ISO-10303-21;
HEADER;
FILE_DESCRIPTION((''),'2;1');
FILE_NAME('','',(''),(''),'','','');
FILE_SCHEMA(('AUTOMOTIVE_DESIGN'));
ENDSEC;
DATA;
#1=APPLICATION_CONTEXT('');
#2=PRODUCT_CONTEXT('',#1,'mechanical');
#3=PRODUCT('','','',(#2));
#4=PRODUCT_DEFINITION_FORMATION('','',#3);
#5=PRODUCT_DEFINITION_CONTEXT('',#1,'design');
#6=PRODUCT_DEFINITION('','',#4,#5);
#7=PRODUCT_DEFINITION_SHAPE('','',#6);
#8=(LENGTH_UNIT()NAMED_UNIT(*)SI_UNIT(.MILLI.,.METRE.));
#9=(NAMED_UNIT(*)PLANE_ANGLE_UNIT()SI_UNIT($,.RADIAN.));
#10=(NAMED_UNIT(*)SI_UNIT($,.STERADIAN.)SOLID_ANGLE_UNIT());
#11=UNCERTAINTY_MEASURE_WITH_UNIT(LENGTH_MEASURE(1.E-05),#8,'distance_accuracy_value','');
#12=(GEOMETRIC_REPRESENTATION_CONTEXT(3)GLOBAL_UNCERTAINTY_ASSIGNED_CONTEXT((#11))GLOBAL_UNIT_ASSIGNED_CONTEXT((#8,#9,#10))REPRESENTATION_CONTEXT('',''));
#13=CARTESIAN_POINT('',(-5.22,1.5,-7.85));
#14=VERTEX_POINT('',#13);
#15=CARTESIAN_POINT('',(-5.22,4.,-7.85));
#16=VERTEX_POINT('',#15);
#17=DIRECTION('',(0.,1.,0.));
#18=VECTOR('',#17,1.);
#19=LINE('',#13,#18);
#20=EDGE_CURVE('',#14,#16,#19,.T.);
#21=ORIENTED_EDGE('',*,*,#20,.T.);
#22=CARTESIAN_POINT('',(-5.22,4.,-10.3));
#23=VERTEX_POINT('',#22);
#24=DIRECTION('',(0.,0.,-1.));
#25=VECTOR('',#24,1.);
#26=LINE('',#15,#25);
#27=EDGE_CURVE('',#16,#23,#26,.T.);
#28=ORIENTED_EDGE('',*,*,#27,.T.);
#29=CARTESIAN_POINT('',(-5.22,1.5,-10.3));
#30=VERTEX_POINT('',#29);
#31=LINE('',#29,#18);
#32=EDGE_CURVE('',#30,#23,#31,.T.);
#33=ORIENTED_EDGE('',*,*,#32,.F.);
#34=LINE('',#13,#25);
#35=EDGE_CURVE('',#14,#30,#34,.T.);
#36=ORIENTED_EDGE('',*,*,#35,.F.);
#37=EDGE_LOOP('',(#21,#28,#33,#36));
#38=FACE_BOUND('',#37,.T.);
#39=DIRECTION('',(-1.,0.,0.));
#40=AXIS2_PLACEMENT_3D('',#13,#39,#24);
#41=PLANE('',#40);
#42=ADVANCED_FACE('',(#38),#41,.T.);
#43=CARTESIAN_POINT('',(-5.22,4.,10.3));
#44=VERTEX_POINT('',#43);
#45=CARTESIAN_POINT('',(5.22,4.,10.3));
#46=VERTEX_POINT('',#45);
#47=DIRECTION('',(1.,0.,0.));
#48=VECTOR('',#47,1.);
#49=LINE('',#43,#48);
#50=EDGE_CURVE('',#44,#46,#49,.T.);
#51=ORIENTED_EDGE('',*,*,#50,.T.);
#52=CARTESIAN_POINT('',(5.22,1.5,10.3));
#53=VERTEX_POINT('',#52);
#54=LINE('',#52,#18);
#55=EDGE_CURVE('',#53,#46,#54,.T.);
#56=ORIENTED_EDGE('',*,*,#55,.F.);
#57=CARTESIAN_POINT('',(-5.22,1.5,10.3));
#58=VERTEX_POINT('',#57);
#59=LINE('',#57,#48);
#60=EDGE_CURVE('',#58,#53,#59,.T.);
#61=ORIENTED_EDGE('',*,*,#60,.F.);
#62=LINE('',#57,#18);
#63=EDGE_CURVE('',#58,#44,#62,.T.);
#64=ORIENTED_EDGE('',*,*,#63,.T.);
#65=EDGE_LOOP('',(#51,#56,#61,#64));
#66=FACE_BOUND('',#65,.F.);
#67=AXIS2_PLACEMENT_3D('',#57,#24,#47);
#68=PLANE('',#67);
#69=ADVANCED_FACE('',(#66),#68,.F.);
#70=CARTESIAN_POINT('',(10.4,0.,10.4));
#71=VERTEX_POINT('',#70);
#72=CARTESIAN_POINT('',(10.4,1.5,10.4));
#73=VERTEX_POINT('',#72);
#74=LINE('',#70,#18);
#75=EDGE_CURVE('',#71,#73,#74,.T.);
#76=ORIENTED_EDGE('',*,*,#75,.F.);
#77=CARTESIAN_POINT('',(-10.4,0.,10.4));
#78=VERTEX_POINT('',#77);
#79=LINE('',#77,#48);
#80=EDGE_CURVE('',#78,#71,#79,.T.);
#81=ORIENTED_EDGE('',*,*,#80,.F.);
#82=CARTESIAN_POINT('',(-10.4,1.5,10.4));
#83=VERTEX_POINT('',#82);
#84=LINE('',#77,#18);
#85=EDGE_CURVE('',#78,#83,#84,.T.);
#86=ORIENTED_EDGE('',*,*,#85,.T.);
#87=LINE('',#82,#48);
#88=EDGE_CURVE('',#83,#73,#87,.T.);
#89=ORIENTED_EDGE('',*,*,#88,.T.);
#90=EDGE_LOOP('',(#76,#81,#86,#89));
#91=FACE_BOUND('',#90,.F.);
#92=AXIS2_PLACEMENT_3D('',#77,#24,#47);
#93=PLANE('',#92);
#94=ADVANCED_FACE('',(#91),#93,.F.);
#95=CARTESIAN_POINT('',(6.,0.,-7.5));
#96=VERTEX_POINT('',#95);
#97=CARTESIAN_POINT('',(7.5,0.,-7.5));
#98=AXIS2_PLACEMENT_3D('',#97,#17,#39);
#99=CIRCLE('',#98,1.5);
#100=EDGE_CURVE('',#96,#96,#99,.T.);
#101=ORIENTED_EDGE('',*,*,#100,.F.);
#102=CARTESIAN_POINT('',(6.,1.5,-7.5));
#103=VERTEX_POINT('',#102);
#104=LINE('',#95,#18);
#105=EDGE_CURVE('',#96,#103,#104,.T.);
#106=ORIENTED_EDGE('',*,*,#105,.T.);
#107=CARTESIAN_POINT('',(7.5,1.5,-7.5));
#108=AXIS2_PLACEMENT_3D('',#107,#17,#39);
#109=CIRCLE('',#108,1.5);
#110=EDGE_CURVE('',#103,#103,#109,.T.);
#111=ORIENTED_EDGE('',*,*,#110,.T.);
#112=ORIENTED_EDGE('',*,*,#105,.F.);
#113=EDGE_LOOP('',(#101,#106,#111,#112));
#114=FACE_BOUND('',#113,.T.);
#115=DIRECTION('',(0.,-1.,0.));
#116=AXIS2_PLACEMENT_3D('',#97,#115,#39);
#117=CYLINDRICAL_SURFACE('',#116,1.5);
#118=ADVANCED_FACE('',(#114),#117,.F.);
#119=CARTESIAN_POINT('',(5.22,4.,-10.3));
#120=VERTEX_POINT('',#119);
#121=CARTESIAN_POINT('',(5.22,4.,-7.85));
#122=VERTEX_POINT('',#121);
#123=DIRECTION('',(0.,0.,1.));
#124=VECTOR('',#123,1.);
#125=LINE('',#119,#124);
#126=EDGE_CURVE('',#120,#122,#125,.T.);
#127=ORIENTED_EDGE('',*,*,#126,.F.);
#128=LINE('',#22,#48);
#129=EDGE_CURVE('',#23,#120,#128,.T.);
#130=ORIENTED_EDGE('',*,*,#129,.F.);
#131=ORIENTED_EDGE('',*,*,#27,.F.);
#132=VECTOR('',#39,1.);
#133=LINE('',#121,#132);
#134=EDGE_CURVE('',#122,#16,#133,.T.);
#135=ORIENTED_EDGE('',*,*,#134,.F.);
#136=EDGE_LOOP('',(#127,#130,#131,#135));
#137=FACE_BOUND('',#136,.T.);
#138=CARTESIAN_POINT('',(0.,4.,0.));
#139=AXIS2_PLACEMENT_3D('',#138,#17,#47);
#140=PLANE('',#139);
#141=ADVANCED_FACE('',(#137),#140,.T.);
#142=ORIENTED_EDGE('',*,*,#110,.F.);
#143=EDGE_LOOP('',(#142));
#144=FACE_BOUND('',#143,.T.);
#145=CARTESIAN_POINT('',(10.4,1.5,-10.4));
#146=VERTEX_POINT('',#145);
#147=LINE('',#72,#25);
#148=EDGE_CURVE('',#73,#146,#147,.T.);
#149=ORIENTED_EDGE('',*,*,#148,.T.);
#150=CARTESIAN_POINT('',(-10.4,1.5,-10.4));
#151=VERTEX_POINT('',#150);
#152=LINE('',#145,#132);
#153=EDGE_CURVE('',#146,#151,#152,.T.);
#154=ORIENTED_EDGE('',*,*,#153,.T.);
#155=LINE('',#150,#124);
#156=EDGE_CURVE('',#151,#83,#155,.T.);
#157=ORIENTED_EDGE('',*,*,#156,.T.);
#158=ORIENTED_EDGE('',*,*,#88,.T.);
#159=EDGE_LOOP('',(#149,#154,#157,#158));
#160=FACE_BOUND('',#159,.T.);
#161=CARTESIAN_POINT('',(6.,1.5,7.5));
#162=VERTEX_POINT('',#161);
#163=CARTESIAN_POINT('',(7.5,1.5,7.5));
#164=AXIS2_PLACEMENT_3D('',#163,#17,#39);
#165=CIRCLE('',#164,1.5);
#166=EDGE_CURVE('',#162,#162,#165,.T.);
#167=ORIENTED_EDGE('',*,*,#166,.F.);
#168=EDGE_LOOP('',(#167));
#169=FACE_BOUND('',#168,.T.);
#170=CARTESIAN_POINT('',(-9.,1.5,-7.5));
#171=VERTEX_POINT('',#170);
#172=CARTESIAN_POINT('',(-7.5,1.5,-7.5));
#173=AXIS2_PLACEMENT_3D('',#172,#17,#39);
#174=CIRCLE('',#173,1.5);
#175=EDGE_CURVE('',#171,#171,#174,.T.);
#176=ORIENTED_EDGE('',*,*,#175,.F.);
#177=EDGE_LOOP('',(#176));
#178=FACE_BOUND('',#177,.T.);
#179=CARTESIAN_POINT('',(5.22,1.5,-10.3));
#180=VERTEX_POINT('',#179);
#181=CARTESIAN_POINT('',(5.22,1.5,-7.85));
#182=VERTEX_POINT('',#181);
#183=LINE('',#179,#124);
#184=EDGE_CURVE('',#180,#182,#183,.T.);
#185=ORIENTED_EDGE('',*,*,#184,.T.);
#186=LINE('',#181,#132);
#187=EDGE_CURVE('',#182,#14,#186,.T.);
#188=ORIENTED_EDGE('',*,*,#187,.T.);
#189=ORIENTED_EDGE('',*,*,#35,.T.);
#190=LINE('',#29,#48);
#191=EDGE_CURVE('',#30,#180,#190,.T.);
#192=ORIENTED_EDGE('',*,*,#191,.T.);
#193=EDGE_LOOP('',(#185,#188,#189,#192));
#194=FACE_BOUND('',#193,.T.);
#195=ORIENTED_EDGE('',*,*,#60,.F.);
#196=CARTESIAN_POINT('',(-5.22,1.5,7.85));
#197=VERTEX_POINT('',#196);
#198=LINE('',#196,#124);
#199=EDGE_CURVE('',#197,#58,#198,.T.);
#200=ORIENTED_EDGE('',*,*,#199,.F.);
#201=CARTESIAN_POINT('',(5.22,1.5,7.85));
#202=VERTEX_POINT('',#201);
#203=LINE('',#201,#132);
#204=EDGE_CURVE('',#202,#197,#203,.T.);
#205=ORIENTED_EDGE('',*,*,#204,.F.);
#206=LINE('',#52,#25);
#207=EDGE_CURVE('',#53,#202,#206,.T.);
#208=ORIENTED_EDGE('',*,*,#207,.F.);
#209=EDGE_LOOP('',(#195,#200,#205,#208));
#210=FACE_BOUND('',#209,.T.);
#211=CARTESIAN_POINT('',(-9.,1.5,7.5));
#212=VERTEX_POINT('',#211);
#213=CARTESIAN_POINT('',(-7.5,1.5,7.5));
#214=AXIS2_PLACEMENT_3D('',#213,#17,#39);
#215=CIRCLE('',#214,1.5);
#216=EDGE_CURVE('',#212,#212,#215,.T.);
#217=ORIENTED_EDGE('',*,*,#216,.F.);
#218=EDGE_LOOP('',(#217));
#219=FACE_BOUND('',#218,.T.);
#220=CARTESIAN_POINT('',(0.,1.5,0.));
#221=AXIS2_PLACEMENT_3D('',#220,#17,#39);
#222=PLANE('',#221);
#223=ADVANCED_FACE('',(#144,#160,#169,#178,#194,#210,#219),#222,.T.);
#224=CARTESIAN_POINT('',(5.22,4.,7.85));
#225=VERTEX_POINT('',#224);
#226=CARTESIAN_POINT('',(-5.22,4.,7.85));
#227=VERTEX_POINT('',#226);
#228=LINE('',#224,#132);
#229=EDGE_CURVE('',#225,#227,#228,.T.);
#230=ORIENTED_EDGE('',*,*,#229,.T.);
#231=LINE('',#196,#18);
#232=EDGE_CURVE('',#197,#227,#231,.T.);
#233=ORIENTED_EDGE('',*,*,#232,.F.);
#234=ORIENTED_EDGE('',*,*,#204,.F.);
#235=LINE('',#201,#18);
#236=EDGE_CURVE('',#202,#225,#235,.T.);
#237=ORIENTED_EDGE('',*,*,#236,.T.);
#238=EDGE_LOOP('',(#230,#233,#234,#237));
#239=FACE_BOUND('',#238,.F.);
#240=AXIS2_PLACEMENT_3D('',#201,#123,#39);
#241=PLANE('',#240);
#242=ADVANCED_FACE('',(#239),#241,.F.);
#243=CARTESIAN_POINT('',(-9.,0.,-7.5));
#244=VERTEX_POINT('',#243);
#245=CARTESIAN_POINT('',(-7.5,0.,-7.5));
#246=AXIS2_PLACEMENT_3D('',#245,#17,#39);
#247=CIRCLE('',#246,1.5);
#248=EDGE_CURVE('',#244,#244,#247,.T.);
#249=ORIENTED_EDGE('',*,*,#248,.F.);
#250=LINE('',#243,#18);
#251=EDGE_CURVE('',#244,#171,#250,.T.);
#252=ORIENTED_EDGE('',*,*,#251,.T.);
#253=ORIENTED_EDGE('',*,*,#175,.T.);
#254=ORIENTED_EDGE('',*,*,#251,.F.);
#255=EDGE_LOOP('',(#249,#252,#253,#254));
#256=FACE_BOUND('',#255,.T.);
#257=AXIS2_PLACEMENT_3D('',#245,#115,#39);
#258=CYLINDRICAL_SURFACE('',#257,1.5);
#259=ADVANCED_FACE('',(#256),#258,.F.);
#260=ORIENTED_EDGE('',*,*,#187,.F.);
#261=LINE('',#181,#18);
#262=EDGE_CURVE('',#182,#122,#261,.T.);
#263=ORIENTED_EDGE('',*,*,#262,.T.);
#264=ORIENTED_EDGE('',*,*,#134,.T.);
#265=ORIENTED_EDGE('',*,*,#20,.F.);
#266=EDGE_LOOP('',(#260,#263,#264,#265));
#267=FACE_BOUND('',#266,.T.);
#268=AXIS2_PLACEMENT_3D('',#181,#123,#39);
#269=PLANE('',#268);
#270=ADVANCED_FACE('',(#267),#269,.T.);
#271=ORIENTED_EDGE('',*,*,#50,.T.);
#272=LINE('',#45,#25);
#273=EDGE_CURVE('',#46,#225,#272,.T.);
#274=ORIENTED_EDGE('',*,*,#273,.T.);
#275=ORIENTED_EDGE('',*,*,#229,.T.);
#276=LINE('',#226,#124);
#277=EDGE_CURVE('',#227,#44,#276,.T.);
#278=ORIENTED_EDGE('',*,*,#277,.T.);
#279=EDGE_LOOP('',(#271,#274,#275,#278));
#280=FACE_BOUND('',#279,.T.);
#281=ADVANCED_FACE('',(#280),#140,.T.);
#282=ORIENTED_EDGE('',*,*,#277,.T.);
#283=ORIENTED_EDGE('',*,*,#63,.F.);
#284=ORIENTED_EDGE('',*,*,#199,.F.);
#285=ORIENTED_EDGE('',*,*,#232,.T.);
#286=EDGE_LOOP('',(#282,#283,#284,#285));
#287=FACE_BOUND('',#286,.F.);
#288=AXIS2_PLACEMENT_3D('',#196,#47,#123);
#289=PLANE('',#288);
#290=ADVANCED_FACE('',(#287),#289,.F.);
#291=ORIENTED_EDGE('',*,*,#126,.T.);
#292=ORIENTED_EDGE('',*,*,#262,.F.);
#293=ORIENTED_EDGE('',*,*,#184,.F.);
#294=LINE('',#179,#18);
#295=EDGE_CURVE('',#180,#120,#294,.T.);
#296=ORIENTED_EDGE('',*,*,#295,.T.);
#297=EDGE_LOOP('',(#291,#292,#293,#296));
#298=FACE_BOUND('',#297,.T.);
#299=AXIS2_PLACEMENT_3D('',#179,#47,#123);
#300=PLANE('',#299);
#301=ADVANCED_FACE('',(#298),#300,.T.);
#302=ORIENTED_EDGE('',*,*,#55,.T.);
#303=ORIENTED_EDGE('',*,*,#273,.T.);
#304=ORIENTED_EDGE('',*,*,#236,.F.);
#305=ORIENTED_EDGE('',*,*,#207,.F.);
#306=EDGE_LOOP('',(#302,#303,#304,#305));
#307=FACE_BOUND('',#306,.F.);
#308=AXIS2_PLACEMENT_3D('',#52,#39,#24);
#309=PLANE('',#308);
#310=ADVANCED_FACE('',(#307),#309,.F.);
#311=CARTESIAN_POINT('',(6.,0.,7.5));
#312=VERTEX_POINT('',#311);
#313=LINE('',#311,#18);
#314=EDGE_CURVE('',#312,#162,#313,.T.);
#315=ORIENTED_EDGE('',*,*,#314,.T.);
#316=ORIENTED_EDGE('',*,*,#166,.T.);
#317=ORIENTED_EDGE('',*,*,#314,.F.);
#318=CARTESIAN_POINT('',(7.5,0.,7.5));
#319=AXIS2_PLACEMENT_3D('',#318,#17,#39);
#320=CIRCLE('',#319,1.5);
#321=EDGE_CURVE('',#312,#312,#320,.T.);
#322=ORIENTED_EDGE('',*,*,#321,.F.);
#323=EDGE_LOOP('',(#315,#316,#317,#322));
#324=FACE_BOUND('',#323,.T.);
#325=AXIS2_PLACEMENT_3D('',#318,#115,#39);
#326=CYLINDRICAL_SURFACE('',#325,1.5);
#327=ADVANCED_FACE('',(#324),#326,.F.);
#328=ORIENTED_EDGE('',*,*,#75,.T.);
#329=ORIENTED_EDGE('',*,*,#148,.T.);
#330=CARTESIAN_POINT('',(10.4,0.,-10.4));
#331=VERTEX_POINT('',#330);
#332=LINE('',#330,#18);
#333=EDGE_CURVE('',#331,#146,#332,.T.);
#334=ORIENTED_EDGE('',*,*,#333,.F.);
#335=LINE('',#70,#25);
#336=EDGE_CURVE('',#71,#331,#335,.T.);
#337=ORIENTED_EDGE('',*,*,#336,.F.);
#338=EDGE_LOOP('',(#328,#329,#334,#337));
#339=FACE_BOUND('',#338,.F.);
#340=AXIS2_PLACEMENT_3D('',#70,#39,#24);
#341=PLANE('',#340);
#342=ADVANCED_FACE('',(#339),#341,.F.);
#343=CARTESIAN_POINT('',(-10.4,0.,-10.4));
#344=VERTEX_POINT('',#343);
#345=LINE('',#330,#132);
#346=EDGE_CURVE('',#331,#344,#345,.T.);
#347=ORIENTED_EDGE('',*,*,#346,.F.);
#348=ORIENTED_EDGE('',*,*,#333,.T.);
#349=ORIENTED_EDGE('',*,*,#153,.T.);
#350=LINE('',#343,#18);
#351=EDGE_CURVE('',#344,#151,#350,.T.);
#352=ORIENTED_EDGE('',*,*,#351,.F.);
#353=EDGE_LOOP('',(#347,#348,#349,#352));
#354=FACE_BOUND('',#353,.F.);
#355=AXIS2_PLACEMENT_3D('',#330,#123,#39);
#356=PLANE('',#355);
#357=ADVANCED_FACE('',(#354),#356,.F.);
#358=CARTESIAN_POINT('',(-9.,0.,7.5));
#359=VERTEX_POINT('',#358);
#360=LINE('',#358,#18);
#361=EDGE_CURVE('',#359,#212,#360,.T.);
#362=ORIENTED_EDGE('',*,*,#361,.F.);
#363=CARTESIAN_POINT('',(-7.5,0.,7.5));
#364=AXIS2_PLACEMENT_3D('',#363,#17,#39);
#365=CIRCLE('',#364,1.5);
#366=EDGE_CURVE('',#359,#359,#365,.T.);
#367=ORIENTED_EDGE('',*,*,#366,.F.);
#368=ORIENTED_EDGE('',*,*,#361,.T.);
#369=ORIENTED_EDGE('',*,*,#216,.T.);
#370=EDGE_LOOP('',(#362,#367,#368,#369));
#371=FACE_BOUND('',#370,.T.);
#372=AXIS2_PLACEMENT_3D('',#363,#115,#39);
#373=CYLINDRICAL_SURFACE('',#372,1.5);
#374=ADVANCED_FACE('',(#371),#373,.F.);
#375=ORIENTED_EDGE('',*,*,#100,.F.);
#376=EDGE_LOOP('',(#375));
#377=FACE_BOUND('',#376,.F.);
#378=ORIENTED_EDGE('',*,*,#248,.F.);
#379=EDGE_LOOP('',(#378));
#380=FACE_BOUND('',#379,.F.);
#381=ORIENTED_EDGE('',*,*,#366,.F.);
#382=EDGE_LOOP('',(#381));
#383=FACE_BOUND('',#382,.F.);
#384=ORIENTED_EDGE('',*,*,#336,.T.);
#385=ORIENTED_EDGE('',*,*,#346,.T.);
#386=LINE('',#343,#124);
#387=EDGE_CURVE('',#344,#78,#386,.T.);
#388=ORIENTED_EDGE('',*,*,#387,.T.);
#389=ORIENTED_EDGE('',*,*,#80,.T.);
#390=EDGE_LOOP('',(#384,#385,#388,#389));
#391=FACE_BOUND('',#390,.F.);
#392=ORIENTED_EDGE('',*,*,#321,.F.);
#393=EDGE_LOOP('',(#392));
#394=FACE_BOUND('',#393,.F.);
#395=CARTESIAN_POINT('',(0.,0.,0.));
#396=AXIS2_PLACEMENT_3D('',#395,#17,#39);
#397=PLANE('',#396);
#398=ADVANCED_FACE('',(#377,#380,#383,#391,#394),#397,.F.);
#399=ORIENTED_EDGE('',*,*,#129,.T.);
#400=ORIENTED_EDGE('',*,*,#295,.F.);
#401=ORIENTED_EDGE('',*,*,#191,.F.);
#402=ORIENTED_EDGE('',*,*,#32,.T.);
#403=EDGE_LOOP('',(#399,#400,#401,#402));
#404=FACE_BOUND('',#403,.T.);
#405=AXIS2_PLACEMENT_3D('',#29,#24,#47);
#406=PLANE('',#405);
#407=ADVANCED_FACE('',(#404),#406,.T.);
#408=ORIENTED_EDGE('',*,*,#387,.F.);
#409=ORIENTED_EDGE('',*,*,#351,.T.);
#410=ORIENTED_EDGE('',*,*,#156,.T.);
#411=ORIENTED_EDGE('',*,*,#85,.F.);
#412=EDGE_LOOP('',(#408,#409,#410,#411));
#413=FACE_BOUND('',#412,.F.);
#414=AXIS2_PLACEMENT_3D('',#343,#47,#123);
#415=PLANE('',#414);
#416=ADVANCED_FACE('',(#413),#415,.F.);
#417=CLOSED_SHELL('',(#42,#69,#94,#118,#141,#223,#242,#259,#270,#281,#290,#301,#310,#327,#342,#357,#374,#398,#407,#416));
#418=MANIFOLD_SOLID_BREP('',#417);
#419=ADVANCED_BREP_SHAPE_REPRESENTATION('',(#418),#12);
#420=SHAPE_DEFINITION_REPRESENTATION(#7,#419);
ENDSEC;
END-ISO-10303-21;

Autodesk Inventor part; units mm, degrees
ref_plane "YZ Plane" through (0, 0, 0) normal (1, 0, 0) x (0, 1, 0)
ref_plane "XZ Plane" through (0, 0, 0) normal (0, 1, 0) x (-1, 0, 0)
ref_plane "XY Plane" through (0, 0, 0) normal (0, 0, 1) x (1, 0, 0)
sketch "Sketch1" plane through (0, 0, 0) normal (0, 1, 0) x (-1, 0, 0)
  line L0 (10.4, 10.4) -> (-10.4, 10.4)
  line L1 (-10.4, 10.4) -> (-10.4, -10.4)
  line L2 (-10.4, -10.4) -> (10.4, -10.4)
  line L3 (10.4, -10.4) -> (10.4, 10.4)
  line L4 (10.4, 10.4) -> (-10.4, -10.4) construction
  line L5 (-10.4, 10.4) -> (10.4, -10.4) construction
  line L6 (7.5, 7.5) -> (-7.5, 7.5) construction
  line L7 (-7.5, 7.5) -> (-7.5, -7.5) construction
  line L8 (-7.5, -7.5) -> (7.5, -7.5) construction
  line L9 (7.5, -7.5) -> (7.5, 7.5) construction
  line L10 (7.5, 7.5) -> (-7.5, -7.5) construction
  line L11 (-7.5, 7.5) -> (7.5, -7.5) construction
  circle A0 centre (7.5, -7.5) radius 1.5
  circle A1 centre (-7.5, -7.5) radius 1.5
  circle A2 centre (7.5, 7.5) radius 1.5
  circle A3 centre (-7.5, 7.5) radius 1.5
  point P0 (0, 0)
  dimension "d0" = 20.8
  dimension "d1" = 20.8
  dimension "d2" = 15
  dimension "d3" = 15
  dimension "d4" = 3
  dimension "d7" = 15
  dimension "d10" = 15
extrude "Extrusion1" add sketch "Sketch1" along normal blind 1.5
sketch "Sketch2" plane through (0, 1.5, 0) normal (0, 1, 0) x (1, 0, 0)
  line L0 (10.4, 10.4) -> (-10.4, 10.4) projected
  line L1 (0, 10.4) -> (0, -10.4) construction
  line L2 (-10.4, -10.4) -> (10.4, -10.4) projected
  line L3 (-5.22, 10.3) -> (5.22, 10.3)
  line L4 (5.22, 10.3) -> (5.22, 7.85)
  line L5 (5.22, 7.85) -> (-5.22, 7.85)
  line L6 (-5.22, 7.85) -> (-5.22, 10.3)
  line L7 (-5.22, 10.3) -> (5.22, 7.85) construction
  line L8 (5.22, 10.3) -> (-5.22, 7.85) construction
  line L9 (-10.4, 10.4) -> (-10.4, -10.4) projected
  line L10 (-10.4, 0) -> (10.4, 0) construction
  line L11 (10.4, -10.4) -> (10.4, 10.4) projected
  line L12 (-5.22, -10.3) -> (5.22, -10.3)
  line L13 (5.22, -10.3) -> (5.22, -7.85)
  line L14 (5.22, -7.85) -> (-5.22, -7.85)
  line L15 (-5.22, -7.85) -> (-5.22, -10.3)
  line L16 (-5.22, -10.3) -> (5.22, -7.85) construction
  line L17 (5.22, -10.3) -> (-5.22, -7.85) construction
  point P0 (0, 0)
  point P1 (0, 9.075)
  point P2 (0, -9.075)
  dimension "d15" = 10.44
  dimension "d16" = 2.45
  dimension "d17" = 0.1
extrude "Extrusion2" add sketch "Sketch2" along normal blind 2.5 contours L3 L4 L5 L6 | L15 L14 L13 L12
equation "\"d7\" = d2"
equation "\"d10\" = d2"
properties part number "H3LIS331DL"
